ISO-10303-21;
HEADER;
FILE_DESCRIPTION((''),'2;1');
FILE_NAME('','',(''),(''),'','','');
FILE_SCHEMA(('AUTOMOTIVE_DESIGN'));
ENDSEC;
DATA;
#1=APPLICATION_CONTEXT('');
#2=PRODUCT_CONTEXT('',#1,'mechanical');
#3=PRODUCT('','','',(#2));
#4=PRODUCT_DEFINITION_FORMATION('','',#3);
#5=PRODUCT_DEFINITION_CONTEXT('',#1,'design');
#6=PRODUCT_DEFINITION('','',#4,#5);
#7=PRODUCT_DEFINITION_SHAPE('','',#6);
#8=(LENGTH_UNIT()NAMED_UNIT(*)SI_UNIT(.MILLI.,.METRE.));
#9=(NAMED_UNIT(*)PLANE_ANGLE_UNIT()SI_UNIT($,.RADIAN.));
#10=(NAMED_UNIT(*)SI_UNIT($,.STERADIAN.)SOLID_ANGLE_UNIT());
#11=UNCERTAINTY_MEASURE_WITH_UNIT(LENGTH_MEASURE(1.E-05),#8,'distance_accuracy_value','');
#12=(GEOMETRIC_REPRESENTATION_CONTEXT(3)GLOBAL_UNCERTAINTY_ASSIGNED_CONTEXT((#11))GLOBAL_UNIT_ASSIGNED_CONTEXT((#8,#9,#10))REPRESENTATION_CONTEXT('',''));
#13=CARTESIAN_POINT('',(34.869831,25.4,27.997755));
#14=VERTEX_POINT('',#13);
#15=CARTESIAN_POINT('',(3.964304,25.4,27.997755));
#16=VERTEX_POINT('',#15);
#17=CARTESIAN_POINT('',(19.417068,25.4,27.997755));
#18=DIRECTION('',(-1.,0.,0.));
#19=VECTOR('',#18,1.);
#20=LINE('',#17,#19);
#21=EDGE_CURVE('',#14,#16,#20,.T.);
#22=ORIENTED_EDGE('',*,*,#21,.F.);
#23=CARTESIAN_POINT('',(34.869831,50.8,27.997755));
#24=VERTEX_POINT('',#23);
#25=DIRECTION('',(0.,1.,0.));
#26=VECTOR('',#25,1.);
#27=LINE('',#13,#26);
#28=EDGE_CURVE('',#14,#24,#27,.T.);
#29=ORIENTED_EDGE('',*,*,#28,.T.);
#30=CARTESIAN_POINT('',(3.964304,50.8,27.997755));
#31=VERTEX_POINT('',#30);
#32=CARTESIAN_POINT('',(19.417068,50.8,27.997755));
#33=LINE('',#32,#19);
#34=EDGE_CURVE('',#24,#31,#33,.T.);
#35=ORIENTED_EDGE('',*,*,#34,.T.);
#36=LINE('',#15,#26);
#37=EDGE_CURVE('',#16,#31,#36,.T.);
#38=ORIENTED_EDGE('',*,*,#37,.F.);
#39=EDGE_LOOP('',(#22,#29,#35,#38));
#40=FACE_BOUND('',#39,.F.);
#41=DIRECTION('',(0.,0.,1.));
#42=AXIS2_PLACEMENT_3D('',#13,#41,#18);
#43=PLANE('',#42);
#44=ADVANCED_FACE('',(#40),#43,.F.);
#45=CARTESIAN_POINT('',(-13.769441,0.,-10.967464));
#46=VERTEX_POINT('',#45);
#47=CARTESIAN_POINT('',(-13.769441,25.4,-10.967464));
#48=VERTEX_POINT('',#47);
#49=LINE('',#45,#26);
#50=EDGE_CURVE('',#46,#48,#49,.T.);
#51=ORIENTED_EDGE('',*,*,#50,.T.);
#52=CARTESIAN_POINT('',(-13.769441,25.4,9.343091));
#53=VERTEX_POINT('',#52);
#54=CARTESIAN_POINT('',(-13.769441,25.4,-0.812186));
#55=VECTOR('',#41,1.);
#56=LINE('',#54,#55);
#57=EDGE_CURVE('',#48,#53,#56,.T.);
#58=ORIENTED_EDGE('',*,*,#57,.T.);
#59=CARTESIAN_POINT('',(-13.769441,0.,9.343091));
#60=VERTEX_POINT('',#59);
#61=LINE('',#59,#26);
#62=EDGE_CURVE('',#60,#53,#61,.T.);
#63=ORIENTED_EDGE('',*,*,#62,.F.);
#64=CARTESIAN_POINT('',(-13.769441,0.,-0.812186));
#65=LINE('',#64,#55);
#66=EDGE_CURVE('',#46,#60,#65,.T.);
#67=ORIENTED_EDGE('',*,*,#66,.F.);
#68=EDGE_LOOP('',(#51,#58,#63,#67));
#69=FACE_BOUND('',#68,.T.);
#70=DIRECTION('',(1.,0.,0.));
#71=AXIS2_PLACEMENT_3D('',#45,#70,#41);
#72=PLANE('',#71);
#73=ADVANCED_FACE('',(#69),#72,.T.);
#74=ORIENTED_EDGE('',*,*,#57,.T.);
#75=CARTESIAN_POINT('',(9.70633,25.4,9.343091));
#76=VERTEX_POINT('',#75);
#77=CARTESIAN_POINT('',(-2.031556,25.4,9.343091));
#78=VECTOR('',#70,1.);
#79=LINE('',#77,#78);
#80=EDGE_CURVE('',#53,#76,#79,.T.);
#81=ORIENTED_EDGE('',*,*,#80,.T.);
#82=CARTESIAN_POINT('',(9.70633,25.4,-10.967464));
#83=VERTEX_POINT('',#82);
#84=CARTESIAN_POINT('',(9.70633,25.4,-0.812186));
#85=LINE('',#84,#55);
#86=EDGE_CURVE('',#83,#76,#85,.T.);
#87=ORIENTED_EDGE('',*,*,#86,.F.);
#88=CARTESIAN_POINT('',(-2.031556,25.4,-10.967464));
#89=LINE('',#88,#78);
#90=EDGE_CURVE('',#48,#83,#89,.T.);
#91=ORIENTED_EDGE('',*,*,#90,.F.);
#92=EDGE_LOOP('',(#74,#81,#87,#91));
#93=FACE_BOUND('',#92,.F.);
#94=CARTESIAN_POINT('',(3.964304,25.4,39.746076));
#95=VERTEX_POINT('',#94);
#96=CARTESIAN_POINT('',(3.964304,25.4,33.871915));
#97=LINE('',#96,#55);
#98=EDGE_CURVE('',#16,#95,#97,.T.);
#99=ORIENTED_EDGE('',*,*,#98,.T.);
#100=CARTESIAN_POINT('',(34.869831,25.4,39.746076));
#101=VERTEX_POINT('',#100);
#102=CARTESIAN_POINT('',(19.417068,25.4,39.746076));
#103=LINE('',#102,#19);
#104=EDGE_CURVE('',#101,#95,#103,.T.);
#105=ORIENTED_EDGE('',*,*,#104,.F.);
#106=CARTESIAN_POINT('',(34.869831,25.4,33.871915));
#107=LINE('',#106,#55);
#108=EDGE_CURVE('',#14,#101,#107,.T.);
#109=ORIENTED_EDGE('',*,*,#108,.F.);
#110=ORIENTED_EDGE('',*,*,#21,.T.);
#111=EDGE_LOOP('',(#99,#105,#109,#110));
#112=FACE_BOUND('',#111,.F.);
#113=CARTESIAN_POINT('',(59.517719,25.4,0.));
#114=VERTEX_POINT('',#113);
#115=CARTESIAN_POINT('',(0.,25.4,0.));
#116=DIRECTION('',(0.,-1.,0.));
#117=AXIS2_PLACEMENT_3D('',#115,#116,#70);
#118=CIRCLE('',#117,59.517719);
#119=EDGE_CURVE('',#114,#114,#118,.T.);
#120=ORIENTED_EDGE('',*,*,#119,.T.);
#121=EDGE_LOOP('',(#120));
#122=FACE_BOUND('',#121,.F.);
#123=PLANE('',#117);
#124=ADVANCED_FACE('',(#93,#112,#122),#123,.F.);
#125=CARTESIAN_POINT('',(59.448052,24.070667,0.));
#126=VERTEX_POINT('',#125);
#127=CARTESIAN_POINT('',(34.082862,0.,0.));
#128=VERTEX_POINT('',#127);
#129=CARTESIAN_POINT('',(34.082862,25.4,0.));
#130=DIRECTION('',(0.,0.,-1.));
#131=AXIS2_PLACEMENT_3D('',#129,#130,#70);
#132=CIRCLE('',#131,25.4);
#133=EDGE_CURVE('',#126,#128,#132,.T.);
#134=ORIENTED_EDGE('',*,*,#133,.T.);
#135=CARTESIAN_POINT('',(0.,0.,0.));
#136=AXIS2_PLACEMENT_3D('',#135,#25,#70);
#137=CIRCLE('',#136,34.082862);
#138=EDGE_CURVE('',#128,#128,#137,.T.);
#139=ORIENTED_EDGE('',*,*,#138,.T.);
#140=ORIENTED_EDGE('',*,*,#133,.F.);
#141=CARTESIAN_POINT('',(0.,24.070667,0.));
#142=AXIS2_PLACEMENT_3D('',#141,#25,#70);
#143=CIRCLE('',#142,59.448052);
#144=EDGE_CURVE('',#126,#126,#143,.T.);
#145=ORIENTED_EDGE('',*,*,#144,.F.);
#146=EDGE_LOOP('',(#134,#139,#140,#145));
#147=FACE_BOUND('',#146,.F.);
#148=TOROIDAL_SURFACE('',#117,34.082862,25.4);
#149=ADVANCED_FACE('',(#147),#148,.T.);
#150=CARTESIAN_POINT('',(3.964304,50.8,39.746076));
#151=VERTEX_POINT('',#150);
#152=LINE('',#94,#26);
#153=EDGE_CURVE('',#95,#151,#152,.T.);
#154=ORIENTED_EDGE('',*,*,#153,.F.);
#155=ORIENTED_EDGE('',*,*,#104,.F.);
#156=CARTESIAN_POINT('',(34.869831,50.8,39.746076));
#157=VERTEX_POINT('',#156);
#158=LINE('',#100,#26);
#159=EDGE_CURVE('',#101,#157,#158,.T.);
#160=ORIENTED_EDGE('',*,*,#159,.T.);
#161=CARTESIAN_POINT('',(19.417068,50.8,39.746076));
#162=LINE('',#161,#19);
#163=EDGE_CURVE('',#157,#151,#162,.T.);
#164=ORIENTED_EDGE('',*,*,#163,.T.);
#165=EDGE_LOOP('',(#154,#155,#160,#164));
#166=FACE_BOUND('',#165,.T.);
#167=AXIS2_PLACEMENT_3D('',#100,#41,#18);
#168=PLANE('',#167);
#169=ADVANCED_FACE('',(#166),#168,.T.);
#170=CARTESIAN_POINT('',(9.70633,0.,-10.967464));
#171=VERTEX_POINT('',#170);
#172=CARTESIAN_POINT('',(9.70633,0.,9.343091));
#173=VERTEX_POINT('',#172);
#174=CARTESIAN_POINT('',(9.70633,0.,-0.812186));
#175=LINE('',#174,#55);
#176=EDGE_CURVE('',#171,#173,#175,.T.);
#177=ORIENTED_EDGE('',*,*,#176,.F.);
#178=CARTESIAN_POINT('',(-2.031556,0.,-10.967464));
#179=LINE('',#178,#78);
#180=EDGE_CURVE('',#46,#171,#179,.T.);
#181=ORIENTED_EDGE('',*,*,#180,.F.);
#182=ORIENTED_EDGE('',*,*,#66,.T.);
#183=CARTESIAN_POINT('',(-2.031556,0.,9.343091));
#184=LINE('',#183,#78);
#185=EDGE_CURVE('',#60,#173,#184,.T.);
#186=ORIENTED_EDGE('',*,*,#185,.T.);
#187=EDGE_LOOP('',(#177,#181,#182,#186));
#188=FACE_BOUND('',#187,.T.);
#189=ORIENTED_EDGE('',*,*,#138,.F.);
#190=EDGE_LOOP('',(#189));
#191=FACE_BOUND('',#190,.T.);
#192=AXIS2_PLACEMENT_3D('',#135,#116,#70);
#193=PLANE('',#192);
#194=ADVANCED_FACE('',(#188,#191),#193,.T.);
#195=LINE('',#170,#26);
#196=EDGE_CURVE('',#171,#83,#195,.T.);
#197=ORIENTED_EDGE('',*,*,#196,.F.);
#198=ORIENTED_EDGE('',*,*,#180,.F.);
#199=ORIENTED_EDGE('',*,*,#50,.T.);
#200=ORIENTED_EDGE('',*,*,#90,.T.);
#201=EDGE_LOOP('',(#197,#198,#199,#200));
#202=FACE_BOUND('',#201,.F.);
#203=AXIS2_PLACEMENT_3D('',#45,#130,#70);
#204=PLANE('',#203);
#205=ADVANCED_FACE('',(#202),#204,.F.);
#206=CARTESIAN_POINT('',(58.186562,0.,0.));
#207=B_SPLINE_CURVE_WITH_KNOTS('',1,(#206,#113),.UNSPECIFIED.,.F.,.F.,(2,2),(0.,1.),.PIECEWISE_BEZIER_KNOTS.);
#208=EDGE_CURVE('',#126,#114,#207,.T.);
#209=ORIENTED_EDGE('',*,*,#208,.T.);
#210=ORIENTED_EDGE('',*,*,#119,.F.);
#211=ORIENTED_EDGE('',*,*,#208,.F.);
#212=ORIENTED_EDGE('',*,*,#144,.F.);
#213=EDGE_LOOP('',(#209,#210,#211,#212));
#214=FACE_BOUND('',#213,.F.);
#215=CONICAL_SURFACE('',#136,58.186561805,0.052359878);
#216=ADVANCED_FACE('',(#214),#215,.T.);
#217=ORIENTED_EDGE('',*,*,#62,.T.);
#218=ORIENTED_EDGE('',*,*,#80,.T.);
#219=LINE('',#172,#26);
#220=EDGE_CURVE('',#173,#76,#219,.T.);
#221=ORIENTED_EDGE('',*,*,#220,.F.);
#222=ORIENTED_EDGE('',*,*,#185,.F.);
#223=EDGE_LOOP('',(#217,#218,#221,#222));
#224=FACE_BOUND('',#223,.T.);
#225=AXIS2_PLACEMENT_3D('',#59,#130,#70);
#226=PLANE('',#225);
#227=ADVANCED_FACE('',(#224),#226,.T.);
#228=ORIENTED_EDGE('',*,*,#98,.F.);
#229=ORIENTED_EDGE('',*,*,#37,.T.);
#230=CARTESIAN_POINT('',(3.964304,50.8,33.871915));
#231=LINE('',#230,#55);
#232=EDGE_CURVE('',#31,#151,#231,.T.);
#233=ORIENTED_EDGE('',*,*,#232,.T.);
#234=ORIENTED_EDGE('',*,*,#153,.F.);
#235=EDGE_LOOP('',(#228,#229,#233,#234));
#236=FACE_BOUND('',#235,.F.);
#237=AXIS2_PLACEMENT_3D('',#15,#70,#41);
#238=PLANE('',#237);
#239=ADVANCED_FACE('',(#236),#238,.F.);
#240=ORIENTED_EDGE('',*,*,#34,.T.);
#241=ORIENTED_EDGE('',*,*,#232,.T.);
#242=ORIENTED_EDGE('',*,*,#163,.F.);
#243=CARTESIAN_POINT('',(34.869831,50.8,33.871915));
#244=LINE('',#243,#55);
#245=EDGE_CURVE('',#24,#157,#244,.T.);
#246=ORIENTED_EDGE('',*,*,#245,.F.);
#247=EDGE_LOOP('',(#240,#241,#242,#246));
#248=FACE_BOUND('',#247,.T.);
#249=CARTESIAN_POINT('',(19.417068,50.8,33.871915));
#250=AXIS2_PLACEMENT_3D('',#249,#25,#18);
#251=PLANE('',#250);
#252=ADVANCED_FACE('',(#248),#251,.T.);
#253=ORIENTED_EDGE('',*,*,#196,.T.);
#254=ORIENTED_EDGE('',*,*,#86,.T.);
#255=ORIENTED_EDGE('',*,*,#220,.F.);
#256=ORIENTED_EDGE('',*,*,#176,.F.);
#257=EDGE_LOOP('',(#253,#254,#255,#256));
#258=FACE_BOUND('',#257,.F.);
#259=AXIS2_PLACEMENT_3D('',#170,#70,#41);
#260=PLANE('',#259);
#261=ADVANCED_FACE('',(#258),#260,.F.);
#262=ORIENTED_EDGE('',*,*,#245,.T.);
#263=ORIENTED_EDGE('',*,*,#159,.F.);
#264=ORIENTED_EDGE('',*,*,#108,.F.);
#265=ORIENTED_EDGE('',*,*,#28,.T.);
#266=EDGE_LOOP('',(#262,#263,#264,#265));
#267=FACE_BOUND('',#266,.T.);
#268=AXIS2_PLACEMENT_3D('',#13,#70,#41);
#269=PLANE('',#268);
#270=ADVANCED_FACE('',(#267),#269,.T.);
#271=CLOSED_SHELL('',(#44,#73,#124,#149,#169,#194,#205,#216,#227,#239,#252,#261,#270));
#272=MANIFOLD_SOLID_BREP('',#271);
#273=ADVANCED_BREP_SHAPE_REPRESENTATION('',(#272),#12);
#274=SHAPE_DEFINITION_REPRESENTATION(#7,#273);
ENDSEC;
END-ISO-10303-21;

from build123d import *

# Parameters (mm, degrees)
F0_R     = 58.1865618052
F1_DEPTH = 25.4
F1_TAPER = -3
F2_W     = 23.4757708386
F2_H     = 20.3105555847
F3_DEPTH = 25.4
F4_R     = 25.4
F5_W     = 30.9055270627
F5_H     = 11.7483213544
F6_DEPTH = 25.4


with BuildPart() as f1:
    # F0 (on Front) → F1 (new body)
    with BuildSketch(Plane.XZ):
        Circle(F0_R)
    extrude(amount=-F1_DEPTH, taper=F1_TAPER)

    # F2 (on face) → F3 (cut, through all)
    with BuildSketch(Plane.XZ):
        with Locations((-2.031555865, -0.8121863939)):
            Rectangle(F2_W, F2_H)
    extrude(amount=-F3_DEPTH, mode=Mode.SUBTRACT)

    # F4
    f4_edges = [f1.edges().sort_by_distance(p)[0] for p in [
        (-58.186562, 0, 0),
    ]]
    fillet(f4_edges, radius=F4_R)

    # F5 (on face) → F6 (join)
    with BuildSketch(Plane(origin=(0, 25.4, 0), x_dir=(-1, 0, 0), z_dir=(0, 1, 0))):
        with Locations((-19.417067524, 33.8719151914)):
            Rectangle(F5_W, F5_H)
    extrude(amount=F6_DEPTH)


solid = f1.part
